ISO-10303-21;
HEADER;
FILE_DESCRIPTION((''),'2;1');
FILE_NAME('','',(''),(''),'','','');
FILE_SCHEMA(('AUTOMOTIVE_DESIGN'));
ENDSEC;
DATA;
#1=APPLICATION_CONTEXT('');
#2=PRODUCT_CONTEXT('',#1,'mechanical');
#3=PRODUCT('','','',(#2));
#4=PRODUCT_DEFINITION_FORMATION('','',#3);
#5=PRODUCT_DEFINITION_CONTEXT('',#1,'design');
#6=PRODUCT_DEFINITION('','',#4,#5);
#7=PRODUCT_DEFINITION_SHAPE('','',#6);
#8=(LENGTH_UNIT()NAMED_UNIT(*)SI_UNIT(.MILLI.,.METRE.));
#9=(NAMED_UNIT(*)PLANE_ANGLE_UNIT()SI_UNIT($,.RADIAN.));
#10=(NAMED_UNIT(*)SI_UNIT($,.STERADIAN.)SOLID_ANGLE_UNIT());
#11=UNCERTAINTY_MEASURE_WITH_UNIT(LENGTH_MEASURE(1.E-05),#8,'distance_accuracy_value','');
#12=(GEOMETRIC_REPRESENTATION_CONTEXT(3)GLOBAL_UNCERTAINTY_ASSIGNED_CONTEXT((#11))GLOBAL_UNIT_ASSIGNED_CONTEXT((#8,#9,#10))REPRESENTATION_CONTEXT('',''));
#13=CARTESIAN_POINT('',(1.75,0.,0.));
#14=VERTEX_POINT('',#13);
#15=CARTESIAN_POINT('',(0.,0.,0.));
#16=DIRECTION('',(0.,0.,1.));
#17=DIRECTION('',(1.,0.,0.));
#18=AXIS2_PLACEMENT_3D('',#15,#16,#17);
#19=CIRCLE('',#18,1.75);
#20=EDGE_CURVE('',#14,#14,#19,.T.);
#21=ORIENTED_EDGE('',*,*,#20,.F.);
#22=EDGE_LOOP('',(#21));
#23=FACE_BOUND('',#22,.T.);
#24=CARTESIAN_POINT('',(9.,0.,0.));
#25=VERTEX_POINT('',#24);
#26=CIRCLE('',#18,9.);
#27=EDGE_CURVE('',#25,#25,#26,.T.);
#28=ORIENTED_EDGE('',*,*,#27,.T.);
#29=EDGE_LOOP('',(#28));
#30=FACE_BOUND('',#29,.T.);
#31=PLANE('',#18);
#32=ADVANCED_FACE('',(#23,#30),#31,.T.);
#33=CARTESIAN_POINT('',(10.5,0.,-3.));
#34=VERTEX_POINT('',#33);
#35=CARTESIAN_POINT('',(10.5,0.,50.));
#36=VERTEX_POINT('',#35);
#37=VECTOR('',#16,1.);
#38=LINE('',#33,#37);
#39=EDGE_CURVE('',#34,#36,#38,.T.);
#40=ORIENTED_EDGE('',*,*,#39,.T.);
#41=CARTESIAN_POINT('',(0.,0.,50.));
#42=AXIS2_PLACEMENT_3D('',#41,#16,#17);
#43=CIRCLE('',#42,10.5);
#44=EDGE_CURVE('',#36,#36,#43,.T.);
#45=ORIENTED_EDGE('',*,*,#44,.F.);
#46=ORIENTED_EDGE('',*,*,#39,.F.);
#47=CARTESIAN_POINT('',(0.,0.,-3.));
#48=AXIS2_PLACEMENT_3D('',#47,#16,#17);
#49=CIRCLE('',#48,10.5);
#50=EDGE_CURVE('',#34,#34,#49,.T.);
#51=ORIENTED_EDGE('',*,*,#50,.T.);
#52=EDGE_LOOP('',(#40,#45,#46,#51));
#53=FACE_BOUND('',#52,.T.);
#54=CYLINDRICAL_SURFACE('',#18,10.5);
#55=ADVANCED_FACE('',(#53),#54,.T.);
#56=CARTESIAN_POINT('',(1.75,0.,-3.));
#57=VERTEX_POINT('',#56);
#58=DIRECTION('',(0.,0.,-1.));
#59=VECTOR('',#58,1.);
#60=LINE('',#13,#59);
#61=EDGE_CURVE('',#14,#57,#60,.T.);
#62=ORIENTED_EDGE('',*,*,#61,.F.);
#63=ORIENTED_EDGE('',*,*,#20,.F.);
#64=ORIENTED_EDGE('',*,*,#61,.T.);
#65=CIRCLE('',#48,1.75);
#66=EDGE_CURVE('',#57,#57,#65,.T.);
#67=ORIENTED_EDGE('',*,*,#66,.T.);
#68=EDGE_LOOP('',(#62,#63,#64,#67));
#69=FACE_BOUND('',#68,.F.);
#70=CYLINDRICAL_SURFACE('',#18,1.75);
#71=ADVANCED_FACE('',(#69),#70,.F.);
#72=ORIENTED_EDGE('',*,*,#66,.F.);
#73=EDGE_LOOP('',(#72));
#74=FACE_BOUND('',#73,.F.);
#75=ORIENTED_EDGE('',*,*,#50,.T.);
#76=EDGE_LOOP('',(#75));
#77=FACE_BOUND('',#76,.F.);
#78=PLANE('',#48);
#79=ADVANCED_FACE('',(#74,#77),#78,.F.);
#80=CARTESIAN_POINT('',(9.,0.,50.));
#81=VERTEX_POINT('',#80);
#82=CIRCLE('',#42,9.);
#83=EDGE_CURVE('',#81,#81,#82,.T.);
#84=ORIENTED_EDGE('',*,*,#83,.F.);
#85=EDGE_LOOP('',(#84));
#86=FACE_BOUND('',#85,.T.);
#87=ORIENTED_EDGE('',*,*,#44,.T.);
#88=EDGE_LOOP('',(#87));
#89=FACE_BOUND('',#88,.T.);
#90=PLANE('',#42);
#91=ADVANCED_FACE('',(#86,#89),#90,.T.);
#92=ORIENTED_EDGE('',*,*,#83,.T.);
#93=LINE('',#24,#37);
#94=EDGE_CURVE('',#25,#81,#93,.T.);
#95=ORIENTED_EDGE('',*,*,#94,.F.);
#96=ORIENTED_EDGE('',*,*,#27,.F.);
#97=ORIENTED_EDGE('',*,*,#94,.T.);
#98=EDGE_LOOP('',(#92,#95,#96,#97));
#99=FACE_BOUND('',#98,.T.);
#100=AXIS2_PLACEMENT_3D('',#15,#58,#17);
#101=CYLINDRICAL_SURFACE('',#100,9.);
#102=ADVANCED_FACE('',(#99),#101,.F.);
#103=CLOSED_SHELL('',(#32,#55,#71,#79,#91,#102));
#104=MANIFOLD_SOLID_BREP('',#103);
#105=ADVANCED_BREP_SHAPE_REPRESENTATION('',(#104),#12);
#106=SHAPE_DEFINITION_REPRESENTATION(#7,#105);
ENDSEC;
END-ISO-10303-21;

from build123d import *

# Parameters (mm, degrees)
SKETCH_R      = 10.5
SKETCH_R_2    = 9
PAD_DEPTH     = 50
SKETCH001_R   = 10.5
SKETCH001_R_2 = 1.75
PAD002_DEPTH  = 3


with BuildPart() as part:
    # Sketch → Pad (new body)
    with BuildSketch(Plane.XY):
        Circle(SKETCH_R)
        Circle(SKETCH_R_2, mode=Mode.SUBTRACT)
    extrude(amount=PAD_DEPTH)

    # Sketch001 → Pad002 (join)
    with BuildSketch(Plane.XY):
        Circle(SKETCH001_R)
        Circle(SKETCH001_R_2, mode=Mode.SUBTRACT)
    extrude(amount=-PAD002_DEPTH)


solid = part.part
